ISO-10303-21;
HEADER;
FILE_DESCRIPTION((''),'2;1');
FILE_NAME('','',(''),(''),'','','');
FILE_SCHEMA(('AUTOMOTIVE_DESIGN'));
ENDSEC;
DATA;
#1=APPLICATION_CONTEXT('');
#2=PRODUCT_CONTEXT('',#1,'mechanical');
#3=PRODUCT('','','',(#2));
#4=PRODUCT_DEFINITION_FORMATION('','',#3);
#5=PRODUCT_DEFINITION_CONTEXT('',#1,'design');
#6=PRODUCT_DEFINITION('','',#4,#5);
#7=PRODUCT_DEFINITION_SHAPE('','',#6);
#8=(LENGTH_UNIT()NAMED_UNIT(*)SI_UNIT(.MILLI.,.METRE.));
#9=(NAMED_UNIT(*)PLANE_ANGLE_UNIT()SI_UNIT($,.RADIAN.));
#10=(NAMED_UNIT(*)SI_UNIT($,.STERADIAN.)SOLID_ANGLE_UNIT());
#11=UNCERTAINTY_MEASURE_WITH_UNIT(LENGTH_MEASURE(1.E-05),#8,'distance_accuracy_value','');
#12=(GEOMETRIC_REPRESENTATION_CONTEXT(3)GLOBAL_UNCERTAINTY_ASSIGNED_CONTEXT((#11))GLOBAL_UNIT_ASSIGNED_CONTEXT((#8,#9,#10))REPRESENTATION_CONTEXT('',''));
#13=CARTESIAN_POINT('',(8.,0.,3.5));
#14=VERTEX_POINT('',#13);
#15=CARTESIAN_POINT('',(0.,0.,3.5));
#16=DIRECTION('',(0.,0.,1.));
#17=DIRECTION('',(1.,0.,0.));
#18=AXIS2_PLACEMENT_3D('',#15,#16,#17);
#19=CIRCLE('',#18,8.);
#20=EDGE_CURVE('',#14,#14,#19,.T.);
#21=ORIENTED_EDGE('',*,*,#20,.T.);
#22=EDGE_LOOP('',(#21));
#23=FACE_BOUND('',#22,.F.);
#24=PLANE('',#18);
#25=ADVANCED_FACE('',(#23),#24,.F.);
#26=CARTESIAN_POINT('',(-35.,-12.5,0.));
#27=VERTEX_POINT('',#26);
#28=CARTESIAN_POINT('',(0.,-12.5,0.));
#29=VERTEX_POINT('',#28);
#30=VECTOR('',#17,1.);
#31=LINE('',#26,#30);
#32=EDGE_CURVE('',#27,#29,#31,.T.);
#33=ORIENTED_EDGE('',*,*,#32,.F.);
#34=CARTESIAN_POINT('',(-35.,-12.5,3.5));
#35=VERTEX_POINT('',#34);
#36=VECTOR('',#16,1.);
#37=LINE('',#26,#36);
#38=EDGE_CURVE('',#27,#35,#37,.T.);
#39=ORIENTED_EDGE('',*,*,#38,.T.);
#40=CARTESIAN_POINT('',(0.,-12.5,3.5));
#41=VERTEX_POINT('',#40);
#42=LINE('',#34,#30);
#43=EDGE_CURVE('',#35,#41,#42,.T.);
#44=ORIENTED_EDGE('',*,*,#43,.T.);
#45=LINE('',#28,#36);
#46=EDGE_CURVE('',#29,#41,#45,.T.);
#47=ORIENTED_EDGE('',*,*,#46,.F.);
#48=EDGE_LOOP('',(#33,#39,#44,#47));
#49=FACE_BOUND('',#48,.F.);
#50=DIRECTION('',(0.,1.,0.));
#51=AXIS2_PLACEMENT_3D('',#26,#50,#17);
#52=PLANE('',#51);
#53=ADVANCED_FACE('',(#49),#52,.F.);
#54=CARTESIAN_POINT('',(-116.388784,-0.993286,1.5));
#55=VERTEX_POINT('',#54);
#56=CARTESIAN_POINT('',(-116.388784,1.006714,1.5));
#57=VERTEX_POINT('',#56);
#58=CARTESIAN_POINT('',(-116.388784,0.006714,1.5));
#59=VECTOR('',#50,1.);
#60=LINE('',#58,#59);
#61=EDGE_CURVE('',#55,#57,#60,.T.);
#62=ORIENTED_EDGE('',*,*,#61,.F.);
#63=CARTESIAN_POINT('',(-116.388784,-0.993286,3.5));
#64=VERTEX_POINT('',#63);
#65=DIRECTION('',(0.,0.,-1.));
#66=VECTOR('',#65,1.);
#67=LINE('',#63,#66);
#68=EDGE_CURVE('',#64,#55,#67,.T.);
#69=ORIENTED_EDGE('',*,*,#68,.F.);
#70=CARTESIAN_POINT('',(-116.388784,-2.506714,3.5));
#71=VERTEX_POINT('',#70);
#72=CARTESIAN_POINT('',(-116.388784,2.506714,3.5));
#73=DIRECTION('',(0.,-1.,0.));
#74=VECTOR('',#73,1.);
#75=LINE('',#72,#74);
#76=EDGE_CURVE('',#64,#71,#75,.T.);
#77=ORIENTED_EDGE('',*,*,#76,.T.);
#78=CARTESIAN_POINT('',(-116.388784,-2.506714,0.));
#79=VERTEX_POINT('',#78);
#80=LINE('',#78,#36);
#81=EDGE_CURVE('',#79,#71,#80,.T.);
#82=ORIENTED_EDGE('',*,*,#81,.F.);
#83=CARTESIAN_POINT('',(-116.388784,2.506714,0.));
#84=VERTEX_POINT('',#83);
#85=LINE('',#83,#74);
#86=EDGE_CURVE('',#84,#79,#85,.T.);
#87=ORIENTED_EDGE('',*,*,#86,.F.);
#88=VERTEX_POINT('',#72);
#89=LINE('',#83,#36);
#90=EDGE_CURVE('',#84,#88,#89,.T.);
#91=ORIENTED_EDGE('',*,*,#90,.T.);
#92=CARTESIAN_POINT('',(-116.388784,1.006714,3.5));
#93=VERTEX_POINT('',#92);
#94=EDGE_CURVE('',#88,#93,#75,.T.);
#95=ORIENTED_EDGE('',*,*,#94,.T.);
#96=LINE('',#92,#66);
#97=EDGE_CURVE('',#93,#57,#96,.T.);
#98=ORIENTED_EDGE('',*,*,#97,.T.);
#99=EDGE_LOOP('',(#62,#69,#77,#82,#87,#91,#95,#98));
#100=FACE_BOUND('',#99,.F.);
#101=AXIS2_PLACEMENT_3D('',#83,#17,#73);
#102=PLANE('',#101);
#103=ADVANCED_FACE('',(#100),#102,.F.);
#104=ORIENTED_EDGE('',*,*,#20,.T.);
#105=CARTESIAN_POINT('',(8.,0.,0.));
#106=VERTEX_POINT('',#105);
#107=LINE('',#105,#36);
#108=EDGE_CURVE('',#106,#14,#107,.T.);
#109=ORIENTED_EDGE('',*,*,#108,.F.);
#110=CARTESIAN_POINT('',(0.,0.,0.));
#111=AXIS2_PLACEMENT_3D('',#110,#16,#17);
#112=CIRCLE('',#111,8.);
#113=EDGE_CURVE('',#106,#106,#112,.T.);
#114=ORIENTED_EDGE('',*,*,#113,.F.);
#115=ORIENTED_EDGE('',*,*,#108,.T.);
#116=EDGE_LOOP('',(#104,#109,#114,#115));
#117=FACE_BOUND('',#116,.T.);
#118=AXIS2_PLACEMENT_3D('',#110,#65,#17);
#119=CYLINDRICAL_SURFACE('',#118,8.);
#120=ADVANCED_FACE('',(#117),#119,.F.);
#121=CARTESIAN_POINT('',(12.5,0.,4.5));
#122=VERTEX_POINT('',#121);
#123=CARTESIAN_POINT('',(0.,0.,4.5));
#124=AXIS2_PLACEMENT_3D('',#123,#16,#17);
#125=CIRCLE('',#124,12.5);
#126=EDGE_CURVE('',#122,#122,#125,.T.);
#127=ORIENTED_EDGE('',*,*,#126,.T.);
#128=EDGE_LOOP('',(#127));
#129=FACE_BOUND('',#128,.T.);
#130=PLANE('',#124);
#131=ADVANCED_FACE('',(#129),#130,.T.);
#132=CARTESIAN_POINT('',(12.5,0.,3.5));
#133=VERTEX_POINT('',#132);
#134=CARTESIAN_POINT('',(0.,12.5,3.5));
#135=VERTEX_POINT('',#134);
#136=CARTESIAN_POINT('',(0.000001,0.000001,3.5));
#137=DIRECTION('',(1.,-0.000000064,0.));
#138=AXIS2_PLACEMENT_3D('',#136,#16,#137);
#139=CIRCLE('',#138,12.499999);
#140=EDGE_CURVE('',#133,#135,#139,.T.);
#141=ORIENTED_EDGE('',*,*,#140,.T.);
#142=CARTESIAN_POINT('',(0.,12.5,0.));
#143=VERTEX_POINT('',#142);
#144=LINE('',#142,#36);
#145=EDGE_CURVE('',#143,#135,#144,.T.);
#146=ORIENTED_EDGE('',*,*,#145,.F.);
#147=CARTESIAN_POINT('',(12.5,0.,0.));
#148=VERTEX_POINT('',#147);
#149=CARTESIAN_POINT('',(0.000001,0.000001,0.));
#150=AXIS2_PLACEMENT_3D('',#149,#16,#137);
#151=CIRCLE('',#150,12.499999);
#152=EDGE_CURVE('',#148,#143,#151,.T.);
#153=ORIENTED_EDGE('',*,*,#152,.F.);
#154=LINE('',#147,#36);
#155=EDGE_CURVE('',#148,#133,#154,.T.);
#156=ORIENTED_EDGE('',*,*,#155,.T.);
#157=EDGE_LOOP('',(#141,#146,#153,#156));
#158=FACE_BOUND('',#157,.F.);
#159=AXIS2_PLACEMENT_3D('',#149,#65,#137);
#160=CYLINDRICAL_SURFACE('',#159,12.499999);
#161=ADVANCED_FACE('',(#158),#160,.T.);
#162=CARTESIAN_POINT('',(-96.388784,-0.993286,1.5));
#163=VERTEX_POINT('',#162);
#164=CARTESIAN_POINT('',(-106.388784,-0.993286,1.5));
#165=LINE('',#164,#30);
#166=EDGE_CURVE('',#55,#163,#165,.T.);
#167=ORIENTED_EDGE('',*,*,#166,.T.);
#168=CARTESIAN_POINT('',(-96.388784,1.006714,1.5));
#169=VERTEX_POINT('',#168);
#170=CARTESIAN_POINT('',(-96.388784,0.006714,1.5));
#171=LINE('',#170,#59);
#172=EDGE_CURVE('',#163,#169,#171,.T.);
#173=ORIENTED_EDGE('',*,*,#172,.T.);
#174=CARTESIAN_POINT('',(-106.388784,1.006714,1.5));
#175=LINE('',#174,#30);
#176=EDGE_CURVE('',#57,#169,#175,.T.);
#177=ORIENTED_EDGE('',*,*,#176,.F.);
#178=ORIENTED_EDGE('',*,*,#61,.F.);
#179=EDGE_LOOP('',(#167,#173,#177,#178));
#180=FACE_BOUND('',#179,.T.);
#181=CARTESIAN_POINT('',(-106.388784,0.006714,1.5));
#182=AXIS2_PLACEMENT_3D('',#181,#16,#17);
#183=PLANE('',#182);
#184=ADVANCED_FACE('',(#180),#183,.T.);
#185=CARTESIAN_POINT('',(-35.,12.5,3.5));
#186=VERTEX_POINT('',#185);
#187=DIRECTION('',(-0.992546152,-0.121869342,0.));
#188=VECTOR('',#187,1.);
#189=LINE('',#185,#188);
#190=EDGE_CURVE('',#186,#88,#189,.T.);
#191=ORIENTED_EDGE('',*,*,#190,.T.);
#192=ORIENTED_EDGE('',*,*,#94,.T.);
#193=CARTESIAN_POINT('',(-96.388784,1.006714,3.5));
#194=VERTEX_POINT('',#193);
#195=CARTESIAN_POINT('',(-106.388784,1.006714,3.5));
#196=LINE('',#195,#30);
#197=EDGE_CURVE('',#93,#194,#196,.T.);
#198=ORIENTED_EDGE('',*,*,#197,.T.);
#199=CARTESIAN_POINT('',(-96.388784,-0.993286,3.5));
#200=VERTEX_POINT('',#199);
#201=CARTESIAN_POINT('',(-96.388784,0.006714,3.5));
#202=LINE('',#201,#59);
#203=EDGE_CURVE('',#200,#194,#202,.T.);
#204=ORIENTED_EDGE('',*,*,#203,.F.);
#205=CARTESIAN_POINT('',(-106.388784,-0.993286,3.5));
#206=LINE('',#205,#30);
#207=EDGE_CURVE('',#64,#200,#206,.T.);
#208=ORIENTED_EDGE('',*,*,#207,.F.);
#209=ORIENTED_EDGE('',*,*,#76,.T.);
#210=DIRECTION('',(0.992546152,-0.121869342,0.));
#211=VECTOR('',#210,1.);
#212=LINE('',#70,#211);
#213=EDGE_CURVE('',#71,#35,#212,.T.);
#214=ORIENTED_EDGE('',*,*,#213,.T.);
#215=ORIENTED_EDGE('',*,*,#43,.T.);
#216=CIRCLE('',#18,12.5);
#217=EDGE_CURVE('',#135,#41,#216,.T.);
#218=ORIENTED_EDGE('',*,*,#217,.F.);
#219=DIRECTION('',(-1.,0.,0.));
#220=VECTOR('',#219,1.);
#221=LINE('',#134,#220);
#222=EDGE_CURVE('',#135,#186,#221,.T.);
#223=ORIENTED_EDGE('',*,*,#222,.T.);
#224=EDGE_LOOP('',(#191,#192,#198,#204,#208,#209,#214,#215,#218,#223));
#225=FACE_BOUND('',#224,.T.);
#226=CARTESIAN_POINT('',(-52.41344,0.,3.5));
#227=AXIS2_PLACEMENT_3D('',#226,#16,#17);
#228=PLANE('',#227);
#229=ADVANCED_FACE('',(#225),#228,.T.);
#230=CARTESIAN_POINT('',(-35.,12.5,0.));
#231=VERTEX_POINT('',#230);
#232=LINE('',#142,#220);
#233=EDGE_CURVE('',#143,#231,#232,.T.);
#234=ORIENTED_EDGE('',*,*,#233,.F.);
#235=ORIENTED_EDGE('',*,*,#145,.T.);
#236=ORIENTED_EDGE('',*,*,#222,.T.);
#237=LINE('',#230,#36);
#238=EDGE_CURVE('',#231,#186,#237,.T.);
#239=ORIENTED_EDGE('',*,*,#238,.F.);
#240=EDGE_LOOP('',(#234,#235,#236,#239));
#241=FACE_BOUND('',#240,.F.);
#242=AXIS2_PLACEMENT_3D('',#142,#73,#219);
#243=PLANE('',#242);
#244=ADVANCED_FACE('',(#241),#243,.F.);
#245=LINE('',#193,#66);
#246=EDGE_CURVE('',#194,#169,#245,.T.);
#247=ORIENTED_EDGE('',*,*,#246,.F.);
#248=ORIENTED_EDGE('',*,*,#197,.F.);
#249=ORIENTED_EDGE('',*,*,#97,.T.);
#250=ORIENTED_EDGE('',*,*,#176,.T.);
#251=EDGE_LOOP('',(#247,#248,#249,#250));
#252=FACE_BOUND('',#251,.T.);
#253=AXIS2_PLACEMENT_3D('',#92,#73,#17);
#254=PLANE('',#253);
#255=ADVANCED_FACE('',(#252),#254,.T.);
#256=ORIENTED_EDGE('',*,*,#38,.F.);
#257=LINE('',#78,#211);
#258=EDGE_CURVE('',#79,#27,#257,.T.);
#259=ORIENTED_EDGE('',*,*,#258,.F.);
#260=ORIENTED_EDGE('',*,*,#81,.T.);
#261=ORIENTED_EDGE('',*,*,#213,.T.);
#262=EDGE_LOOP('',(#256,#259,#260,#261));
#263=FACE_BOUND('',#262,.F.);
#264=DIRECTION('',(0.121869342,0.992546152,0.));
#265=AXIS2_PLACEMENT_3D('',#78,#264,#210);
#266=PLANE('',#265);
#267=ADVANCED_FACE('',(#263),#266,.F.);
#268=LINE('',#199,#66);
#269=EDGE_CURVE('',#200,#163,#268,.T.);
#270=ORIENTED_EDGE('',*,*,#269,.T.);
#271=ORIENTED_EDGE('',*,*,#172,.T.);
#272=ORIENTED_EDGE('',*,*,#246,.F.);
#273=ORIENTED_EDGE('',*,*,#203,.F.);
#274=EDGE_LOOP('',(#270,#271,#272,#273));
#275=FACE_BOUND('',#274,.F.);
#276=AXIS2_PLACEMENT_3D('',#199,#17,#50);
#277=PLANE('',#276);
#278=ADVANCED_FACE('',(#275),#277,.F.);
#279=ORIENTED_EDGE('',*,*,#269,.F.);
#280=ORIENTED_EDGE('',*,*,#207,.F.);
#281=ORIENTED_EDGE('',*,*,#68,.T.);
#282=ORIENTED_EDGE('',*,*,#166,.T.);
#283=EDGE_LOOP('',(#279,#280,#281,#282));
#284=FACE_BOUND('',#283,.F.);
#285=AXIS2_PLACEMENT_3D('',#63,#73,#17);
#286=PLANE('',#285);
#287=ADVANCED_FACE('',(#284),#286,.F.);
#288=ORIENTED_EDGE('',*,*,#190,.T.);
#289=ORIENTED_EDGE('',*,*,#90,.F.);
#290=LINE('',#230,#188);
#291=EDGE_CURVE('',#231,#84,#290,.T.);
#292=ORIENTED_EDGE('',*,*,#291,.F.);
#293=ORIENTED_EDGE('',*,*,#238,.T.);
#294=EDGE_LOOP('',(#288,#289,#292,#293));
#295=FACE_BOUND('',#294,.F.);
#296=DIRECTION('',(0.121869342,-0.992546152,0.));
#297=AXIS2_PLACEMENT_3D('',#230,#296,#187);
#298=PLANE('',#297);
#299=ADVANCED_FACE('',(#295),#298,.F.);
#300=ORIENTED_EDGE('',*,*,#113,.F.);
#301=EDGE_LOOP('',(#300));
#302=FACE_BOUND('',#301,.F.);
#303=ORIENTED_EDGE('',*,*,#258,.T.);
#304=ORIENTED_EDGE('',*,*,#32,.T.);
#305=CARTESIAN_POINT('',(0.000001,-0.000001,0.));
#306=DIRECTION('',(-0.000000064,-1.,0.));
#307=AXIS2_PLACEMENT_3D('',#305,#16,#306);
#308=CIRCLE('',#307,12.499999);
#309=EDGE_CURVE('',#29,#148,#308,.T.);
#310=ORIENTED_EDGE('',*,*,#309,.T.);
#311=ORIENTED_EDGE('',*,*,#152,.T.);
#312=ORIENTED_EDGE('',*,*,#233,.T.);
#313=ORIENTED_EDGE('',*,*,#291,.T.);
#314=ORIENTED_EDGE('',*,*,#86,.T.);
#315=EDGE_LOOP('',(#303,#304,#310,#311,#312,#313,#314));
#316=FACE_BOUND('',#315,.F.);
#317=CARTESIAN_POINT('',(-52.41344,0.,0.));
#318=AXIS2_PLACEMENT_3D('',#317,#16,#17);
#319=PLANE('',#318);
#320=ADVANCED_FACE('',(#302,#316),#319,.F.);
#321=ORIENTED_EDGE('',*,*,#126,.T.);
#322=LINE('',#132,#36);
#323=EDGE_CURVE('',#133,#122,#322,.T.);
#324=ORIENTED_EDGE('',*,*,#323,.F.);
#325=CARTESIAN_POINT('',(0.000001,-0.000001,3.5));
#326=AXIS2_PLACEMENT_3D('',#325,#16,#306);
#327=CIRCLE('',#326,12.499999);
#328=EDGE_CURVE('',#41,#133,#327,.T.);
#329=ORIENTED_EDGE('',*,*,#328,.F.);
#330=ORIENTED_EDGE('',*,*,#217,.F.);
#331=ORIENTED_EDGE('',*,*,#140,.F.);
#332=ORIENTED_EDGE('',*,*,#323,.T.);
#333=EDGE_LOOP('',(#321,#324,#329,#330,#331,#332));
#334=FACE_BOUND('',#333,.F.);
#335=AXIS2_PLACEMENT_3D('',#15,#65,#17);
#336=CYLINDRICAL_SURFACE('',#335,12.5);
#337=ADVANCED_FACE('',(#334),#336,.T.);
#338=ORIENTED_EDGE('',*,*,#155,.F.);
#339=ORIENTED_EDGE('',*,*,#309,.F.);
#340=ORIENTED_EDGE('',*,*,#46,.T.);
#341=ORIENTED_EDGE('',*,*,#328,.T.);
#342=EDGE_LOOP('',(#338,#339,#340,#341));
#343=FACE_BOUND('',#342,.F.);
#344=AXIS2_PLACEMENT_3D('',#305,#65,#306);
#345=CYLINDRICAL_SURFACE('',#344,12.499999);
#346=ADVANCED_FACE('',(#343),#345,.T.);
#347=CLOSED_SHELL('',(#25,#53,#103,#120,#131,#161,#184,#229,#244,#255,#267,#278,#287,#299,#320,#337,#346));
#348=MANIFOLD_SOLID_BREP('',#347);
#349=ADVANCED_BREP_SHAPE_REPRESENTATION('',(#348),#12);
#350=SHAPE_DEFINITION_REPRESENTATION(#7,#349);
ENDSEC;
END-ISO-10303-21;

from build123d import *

# Parameters (mm, degrees)
F0_R     = 8
F1_DEPTH = 3.5
F2_R     = 12.5
F3_DEPTH = 1
F4_W     = 20
F4_H     = 2
F5_DEPTH = 2


with BuildPart() as f1:
    # F0 (on Top) → F1 (new body)
    with BuildSketch(Plane.XY):
        with BuildLine():
            ThreePointArc((0, -12.5), (-12.5, 0), (0, 12.5))
            Line((0, 12.5), (-35, 12.5))
            Line((-35, 12.5), (-116.388784, 2.506714))
            Line((-116.388784, 2.506714), (-116.388784, -2.506714))
            Line((-116.388784, -2.506714), (-35, -12.5))
            Line((-35, -12.5), (0, -12.5))
        make_face()
        with BuildLine():
            ThreePointArc((0, -12.5), (8.838835, -8.838835), (12.5, 0))
            ThreePointArc((12.5, 0), (8.838835, 8.838835), (0, 12.5))
            ThreePointArc((0, 12.5), (-12.5, 0), (0, -12.5))
        make_face()
        Circle(F0_R, mode=Mode.SUBTRACT)
    extrude(amount=F1_DEPTH)

    # F2 (on face) → F3 (join)
    with BuildSketch(Plane.XY.offset(3.5)):
        Circle(F2_R)
    extrude(amount=F3_DEPTH)

    # F4 (on face) → F5 (cut)
    with BuildSketch(Plane.XY.offset(3.5)):
        with Locations((-106.388784, 0.006714)):
            Rectangle(F4_W, F4_H)
    extrude(amount=-F5_DEPTH, mode=Mode.SUBTRACT)


solid = f1.part
